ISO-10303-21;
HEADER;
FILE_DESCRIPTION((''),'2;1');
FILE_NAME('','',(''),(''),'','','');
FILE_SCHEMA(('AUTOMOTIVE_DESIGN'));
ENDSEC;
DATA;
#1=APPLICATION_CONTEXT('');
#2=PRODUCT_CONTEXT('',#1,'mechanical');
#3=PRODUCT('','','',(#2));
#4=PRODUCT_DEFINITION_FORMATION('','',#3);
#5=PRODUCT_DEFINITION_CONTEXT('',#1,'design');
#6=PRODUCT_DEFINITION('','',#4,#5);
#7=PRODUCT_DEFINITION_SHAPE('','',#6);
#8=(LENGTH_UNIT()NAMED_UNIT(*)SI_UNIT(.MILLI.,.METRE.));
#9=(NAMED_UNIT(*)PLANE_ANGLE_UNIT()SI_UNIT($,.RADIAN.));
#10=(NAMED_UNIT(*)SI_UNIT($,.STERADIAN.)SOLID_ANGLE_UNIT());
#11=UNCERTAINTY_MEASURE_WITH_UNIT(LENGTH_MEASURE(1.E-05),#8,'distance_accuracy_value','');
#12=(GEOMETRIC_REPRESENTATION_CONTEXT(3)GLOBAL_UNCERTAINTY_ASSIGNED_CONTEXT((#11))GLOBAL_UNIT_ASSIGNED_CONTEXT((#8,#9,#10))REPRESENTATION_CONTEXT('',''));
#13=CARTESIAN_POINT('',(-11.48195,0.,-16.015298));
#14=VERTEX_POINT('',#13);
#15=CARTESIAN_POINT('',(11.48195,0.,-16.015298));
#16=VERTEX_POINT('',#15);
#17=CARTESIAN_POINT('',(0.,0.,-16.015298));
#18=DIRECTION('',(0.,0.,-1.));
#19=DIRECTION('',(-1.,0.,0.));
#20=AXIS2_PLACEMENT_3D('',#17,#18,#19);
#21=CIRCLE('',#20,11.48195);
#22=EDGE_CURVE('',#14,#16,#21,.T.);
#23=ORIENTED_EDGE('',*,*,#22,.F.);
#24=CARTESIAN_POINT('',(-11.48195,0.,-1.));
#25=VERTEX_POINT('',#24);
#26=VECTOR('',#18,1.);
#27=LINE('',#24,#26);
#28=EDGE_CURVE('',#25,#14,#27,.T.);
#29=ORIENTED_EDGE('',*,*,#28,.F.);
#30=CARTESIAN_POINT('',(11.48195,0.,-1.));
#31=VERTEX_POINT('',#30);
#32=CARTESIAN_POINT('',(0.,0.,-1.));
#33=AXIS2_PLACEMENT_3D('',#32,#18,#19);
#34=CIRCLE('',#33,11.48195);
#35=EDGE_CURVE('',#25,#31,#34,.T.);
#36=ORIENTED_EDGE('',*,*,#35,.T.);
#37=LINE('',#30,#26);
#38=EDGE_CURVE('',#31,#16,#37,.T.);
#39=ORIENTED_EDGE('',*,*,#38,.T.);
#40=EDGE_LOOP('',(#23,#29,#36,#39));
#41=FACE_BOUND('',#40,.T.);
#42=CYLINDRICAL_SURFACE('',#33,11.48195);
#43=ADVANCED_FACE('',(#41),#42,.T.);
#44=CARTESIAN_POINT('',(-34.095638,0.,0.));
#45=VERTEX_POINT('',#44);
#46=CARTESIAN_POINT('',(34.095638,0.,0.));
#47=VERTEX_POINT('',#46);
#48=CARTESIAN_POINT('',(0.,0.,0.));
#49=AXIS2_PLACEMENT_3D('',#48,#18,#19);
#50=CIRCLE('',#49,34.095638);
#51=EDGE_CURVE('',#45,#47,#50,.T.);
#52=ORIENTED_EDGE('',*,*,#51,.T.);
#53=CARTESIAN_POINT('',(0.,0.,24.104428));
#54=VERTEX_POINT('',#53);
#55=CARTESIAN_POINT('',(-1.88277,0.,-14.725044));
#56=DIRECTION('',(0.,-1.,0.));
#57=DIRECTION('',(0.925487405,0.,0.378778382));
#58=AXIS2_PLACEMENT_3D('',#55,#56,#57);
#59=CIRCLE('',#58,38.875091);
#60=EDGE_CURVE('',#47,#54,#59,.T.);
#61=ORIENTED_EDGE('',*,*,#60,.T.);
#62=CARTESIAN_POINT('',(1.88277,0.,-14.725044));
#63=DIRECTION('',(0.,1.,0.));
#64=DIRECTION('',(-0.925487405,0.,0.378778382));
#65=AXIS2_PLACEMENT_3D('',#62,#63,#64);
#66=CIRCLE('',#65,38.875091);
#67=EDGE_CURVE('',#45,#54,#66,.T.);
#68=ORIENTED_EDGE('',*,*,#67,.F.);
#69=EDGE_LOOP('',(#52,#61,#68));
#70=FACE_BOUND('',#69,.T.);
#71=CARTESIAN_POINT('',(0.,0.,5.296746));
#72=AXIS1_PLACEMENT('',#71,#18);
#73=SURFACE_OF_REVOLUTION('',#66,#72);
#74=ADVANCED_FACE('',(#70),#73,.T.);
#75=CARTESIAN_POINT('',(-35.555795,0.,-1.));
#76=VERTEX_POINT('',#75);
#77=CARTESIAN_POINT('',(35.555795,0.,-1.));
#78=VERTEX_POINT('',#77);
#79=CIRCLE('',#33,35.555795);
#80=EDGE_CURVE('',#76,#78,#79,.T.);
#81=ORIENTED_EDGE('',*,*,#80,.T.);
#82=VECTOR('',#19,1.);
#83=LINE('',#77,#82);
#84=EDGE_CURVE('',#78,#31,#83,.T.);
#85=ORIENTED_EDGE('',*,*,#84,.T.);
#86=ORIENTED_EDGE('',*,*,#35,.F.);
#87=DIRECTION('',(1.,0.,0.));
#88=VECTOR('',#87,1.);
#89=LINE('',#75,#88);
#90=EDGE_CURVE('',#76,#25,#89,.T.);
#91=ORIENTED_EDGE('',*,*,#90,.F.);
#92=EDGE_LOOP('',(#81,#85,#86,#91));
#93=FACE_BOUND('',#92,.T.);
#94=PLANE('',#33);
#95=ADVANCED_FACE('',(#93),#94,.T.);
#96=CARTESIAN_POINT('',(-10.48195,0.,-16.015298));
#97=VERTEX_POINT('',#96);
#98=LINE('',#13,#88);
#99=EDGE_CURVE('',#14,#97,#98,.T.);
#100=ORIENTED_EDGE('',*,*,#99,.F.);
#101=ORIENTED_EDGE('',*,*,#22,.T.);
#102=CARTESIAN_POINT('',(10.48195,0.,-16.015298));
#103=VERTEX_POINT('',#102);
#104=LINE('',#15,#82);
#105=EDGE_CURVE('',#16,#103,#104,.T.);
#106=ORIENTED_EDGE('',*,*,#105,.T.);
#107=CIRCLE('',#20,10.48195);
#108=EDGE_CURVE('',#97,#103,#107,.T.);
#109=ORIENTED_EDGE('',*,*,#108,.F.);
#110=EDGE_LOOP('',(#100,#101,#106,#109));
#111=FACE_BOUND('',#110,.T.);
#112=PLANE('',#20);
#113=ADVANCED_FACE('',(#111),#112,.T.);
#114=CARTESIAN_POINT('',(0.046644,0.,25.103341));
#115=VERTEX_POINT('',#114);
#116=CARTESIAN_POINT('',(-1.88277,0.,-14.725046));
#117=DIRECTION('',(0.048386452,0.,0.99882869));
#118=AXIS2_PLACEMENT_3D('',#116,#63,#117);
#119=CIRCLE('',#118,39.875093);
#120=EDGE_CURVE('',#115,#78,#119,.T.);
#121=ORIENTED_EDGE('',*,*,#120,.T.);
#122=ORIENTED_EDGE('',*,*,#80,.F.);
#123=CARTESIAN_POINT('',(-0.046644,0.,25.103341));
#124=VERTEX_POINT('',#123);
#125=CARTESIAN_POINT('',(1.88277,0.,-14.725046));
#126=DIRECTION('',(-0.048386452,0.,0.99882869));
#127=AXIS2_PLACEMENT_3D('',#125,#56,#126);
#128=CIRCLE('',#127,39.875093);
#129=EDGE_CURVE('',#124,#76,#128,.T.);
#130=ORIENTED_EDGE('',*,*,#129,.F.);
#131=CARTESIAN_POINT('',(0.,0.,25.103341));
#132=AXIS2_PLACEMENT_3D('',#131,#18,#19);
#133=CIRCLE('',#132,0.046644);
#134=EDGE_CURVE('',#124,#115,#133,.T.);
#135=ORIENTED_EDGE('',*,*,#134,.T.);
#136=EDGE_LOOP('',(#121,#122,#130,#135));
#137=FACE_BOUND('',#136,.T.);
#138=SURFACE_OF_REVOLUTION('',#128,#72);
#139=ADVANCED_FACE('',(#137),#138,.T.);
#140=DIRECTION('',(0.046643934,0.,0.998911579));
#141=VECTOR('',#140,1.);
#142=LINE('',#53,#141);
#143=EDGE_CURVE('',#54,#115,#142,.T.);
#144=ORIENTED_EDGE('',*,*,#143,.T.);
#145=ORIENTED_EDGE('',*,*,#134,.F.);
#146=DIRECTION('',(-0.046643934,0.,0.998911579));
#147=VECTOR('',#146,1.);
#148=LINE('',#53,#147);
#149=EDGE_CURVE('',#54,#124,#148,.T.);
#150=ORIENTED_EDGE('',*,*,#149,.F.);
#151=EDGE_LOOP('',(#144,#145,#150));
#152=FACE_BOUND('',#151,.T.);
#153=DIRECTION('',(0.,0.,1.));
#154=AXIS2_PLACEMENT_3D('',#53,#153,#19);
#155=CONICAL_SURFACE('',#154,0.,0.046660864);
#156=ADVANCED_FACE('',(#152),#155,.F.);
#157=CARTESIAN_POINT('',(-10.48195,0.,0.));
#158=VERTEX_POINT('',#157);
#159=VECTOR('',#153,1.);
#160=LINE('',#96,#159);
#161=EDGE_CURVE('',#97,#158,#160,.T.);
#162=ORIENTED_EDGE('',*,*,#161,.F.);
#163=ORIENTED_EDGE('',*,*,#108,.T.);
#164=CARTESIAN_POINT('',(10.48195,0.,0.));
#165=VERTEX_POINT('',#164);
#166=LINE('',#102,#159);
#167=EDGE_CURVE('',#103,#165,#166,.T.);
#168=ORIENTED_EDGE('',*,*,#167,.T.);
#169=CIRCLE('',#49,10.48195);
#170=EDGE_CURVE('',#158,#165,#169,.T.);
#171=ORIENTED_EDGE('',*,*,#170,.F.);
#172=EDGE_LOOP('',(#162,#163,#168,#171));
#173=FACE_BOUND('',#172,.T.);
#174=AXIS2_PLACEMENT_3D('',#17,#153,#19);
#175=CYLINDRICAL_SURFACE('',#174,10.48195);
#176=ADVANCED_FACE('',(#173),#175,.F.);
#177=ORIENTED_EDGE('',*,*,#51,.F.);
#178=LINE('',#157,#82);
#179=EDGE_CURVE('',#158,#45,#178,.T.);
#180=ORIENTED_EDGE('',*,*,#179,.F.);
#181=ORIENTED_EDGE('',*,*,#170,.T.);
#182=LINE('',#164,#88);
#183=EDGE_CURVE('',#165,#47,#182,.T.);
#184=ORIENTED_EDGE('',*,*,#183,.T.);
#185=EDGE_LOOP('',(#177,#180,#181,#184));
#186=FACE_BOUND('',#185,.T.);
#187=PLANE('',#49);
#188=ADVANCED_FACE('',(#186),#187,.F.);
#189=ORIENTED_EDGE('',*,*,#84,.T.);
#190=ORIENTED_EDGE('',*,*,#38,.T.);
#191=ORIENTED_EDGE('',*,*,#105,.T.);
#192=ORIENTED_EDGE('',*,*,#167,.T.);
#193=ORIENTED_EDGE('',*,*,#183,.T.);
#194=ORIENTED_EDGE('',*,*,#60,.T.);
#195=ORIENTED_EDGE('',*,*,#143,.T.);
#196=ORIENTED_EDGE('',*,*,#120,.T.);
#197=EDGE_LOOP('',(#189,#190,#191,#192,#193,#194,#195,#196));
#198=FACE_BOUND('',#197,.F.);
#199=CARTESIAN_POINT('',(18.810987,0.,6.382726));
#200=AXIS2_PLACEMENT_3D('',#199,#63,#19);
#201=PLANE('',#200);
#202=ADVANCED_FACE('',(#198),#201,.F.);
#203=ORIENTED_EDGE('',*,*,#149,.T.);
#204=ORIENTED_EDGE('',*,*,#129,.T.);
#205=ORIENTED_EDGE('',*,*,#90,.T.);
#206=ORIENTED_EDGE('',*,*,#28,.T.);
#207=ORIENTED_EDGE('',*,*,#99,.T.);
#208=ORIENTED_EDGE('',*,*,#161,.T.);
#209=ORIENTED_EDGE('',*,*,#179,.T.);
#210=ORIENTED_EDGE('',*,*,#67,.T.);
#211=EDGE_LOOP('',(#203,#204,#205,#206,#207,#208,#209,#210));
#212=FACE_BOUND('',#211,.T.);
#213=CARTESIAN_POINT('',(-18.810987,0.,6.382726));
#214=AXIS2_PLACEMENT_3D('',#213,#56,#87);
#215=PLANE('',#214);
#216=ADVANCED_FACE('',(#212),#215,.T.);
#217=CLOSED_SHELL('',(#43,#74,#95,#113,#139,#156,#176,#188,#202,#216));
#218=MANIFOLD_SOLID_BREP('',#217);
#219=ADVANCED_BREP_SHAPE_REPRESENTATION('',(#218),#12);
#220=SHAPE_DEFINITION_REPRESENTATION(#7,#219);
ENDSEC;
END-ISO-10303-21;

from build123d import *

# Parameters (mm, degrees)
F1_ANGLE = 180


with BuildPart() as f1:
    # F0 (on Front) → F1 (revolve)
    with BuildSketch(Plane.XZ):
        with BuildLine():
            ThreePointArc((-34.095638, 0), (-20.558778, 17.018454), (0, 24.104428))
            Line((0, 24.104428), (-0.046644, 25.103341))
            ThreePointArc((-0.046644, 25.103341), (-21.735137, 17.403096), (-35.555795, -1))
            Line((-35.555795, -1), (-11.48195, -1))
            Line((-11.48195, -1), (-11.48195, -16.015298))
            Line((-11.48195, -16.015298), (-10.48195, -16.015298))
            Line((-10.48195, -16.015298), (-10.48195, 0))
            Line((-10.48195, 0), (-34.095638, 0))
        make_face()
    revolve(axis=Axis((0, 0, 5.296746), (0, 0, -1)), revolution_arc=F1_ANGLE)


solid = f1.part
